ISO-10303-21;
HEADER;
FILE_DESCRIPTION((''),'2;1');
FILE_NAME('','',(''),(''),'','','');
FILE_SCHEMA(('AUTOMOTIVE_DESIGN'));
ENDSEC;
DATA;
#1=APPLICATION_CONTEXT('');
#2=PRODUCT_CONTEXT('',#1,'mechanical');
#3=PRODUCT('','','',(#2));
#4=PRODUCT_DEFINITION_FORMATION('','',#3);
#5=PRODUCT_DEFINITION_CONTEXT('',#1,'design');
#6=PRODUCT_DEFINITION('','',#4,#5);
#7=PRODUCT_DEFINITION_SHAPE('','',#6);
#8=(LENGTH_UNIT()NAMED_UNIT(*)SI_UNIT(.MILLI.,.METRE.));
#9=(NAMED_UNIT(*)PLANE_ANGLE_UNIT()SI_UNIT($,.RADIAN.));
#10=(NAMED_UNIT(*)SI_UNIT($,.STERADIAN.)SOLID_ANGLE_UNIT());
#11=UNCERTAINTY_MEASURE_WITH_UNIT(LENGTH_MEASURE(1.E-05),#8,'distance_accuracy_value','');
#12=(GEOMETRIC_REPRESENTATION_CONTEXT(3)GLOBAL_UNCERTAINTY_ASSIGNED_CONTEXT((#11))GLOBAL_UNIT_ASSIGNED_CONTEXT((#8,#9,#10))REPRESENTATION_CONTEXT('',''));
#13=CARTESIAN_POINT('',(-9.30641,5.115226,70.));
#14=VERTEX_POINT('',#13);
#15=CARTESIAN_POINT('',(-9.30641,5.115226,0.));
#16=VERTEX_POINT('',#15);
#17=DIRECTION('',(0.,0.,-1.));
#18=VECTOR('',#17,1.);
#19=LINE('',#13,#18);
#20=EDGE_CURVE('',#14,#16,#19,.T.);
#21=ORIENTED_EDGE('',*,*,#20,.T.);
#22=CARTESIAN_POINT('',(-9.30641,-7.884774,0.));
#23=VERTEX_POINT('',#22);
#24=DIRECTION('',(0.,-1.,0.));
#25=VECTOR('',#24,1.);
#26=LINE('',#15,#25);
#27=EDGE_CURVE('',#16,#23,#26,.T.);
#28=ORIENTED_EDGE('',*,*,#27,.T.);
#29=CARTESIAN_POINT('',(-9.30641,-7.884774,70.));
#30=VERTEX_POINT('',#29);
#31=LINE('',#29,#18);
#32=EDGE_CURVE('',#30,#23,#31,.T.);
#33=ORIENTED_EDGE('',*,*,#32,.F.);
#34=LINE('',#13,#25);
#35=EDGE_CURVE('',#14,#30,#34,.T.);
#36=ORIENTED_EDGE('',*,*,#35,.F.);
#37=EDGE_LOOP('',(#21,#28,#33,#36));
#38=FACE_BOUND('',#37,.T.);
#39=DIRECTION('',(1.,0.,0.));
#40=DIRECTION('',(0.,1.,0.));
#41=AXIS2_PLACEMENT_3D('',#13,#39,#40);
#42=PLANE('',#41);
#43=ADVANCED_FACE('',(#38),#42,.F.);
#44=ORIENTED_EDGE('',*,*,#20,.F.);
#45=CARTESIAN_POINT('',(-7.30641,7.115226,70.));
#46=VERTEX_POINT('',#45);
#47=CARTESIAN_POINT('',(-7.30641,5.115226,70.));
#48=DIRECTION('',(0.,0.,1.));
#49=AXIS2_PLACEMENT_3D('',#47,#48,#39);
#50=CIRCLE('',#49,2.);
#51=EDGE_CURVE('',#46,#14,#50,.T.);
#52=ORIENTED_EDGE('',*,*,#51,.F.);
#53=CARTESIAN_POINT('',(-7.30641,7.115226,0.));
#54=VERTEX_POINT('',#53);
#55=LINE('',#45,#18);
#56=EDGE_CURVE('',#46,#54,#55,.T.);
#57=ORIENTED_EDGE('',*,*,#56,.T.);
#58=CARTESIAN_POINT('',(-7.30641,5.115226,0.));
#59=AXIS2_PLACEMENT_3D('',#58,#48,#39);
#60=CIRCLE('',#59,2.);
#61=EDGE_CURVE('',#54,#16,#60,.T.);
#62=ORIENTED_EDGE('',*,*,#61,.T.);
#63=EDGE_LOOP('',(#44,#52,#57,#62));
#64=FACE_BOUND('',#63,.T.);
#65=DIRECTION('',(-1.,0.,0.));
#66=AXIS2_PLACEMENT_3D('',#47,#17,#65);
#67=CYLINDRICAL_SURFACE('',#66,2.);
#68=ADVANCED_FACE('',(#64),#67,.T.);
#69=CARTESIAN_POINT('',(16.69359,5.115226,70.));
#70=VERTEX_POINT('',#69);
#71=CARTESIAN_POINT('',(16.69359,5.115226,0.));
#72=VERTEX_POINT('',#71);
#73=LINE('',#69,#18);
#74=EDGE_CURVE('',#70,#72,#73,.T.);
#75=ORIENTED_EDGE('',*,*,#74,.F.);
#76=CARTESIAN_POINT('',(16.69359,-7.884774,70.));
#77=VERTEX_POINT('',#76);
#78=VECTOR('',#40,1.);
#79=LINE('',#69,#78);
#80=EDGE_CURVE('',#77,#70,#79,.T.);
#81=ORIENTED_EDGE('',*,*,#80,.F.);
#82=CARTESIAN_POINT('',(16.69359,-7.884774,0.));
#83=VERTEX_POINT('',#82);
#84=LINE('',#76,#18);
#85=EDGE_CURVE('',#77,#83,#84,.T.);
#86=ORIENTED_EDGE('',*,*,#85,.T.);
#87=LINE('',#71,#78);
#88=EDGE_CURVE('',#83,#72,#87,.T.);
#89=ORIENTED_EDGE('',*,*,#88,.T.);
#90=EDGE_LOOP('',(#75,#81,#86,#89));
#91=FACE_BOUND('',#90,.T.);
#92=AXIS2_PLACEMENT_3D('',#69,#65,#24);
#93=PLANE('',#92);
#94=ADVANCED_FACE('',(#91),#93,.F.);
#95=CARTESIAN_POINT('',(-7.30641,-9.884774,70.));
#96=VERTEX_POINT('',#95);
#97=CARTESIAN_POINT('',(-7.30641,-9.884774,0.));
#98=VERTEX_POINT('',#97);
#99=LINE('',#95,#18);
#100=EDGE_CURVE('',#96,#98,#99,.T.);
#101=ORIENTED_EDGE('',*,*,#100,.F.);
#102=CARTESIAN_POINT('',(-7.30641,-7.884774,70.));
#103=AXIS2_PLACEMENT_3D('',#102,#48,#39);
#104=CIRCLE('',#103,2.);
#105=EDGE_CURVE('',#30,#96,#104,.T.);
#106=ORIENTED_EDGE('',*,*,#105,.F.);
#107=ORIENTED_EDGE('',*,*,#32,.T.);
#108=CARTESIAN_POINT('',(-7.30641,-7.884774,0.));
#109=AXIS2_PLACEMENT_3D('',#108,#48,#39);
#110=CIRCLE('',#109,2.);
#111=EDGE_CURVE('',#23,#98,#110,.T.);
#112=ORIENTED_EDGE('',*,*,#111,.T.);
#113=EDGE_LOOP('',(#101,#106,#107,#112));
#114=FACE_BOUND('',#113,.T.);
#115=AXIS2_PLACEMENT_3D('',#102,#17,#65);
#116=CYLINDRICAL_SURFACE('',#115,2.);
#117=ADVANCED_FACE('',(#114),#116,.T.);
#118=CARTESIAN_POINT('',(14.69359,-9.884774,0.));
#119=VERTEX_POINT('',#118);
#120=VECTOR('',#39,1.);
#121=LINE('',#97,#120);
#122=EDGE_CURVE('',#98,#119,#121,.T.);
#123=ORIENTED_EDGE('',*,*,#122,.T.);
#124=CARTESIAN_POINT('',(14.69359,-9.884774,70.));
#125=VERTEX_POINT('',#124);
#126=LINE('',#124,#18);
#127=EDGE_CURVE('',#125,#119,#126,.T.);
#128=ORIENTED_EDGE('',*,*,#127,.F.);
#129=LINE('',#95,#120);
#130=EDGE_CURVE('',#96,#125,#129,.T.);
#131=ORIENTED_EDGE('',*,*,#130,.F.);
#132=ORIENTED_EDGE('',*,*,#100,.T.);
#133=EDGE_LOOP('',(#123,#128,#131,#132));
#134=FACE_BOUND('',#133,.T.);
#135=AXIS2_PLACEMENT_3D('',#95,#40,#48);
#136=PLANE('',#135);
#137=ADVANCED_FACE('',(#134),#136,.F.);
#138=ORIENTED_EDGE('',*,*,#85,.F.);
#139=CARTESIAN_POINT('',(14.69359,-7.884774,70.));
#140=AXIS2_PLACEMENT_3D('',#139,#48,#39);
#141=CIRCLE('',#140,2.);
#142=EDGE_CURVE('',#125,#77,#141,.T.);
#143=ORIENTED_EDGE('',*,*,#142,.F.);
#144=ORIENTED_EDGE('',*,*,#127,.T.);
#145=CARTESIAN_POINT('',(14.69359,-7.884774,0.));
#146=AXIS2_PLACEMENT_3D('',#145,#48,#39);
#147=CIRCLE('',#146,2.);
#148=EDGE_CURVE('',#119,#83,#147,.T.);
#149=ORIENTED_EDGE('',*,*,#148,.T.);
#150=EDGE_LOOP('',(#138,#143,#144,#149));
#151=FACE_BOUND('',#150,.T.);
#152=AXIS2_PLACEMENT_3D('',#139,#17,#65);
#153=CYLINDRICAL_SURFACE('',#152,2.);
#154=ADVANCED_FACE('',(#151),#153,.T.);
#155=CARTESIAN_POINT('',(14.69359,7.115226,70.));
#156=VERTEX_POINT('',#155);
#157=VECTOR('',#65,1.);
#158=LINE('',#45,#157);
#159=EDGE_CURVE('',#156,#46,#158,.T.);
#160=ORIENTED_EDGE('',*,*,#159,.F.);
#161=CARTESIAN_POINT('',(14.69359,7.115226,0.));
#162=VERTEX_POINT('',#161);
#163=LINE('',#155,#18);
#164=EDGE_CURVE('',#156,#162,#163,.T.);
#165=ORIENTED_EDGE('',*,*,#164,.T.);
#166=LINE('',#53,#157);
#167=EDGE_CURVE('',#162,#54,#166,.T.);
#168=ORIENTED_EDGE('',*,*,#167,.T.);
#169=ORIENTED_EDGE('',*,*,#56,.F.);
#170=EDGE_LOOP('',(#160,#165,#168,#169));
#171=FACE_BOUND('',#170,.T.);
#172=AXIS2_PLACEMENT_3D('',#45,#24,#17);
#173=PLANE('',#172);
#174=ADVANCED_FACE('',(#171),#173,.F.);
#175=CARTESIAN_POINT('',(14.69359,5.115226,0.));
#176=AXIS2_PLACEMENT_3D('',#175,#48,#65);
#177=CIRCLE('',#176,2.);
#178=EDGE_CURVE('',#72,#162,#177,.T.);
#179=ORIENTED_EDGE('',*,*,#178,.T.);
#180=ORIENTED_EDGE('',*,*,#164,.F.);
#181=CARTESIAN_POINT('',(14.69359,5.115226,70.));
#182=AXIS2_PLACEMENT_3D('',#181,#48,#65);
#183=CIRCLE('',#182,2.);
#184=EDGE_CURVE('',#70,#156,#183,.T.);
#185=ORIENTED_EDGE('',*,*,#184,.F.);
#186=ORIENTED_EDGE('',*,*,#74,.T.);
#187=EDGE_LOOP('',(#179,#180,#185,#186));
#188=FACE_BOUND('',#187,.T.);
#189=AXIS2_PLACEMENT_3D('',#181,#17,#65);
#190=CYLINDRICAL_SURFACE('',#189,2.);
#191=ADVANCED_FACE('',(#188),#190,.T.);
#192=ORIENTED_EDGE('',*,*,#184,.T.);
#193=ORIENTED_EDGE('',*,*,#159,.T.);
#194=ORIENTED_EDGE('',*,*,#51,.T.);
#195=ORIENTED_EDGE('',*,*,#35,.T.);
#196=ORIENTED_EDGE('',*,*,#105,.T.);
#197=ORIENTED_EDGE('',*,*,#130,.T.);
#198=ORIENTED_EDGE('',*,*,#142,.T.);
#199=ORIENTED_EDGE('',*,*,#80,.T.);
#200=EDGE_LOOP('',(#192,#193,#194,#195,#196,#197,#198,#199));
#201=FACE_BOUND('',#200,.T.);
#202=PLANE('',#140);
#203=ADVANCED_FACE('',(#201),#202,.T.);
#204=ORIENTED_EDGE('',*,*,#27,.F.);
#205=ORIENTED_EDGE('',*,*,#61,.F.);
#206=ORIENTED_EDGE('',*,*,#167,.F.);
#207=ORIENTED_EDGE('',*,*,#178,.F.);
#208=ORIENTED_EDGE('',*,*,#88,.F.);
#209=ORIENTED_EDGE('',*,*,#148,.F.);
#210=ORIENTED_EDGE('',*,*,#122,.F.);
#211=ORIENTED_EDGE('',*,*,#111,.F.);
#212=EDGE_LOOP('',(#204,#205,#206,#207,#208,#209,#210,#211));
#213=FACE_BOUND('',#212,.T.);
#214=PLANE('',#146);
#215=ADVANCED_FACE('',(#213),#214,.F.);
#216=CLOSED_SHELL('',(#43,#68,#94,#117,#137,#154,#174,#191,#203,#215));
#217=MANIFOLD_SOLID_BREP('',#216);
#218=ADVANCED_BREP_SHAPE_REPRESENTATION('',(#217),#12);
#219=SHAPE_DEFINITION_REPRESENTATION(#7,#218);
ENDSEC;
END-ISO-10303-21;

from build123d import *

# Parameters (mm, degrees)
DODANIE_WYCI_GNI_CIE1_DEPTH = 70


with BuildPart() as part:
    # Szkic1 → Dodanie-wyciągnięcie1 (new body)
    with BuildSketch(Plane.XY):
        with BuildLine():
            Line((-7.306410448, 7.115226337), (14.693589552, 7.115226337))
            ThreePointArc((14.693589552, 7.115226337), (16.107803115, 6.5294399), (16.693589552, 5.115226337))
            Line((16.693589552, 5.115226337), (16.693589552, -7.884773663))
            ThreePointArc((16.693589552, -7.884773663), (16.107803115, -9.298987225), (14.693589552, -9.884773663))
            Line((14.693589552, -9.884773663), (-7.306410448, -9.884773663))
            ThreePointArc((-7.306410448, -9.884773663), (-8.72062401, -9.298987225), (-9.306410448, -7.884773663))
            Line((-9.306410448, -7.884773663), (-9.306410448, 5.115226337))
            ThreePointArc((-9.306410448, 5.115226337), (-8.72062401, 6.5294399), (-7.306410448, 7.115226337))
        make_face()
    extrude(amount=DODANIE_WYCI_GNI_CIE1_DEPTH)


solid = part.part
